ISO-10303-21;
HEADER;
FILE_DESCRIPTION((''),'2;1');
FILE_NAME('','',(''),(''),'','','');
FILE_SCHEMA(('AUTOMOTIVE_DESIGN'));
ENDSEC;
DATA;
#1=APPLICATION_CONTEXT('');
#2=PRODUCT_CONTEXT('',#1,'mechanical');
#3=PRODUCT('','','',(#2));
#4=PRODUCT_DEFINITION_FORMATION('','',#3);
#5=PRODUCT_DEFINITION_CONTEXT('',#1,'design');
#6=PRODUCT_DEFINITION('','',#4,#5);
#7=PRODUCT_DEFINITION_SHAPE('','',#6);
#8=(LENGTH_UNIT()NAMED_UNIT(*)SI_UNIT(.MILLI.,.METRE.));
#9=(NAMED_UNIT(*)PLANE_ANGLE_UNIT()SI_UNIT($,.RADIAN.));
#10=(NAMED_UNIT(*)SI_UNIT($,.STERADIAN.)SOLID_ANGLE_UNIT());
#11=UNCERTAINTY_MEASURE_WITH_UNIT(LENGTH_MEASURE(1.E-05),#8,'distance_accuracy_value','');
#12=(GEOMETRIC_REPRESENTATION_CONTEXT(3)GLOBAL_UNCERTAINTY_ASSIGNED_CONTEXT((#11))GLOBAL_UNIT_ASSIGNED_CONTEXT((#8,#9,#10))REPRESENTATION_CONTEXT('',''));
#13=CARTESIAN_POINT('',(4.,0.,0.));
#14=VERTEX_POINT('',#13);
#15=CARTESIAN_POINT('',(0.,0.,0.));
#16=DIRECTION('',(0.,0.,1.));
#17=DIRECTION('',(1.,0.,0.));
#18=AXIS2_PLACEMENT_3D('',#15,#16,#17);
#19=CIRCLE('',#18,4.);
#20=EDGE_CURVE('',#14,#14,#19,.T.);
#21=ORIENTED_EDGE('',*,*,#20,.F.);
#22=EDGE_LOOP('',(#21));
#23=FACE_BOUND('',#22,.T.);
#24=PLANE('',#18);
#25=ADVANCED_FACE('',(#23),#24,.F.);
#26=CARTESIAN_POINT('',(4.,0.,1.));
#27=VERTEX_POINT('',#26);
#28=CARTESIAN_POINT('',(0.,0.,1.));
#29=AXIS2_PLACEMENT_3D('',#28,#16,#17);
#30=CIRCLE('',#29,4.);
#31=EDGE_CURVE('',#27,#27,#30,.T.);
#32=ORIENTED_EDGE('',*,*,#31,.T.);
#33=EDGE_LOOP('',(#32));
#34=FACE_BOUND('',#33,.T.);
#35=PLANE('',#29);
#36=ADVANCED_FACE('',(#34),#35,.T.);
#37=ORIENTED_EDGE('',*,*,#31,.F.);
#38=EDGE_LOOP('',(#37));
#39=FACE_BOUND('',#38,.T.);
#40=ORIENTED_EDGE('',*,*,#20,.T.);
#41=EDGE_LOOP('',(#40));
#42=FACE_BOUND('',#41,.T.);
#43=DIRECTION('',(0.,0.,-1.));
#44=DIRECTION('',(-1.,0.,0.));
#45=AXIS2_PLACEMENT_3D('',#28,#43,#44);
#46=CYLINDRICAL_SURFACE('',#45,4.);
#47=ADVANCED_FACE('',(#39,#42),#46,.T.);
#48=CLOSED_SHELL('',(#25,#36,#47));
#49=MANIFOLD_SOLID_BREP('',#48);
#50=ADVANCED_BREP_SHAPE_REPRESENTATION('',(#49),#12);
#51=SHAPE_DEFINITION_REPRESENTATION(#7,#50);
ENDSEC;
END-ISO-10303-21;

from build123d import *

# Parameters (mm, degrees)
SKETCH1_R           = 4
BOSS_EXTRUDE1_DEPTH = 1


with BuildPart() as part:
    # Sketch1 → Boss-Extrude1 (new body)
    with BuildSketch(Plane.XY):
        Circle(SKETCH1_R)
    extrude(amount=BOSS_EXTRUDE1_DEPTH)


solid = part.part
